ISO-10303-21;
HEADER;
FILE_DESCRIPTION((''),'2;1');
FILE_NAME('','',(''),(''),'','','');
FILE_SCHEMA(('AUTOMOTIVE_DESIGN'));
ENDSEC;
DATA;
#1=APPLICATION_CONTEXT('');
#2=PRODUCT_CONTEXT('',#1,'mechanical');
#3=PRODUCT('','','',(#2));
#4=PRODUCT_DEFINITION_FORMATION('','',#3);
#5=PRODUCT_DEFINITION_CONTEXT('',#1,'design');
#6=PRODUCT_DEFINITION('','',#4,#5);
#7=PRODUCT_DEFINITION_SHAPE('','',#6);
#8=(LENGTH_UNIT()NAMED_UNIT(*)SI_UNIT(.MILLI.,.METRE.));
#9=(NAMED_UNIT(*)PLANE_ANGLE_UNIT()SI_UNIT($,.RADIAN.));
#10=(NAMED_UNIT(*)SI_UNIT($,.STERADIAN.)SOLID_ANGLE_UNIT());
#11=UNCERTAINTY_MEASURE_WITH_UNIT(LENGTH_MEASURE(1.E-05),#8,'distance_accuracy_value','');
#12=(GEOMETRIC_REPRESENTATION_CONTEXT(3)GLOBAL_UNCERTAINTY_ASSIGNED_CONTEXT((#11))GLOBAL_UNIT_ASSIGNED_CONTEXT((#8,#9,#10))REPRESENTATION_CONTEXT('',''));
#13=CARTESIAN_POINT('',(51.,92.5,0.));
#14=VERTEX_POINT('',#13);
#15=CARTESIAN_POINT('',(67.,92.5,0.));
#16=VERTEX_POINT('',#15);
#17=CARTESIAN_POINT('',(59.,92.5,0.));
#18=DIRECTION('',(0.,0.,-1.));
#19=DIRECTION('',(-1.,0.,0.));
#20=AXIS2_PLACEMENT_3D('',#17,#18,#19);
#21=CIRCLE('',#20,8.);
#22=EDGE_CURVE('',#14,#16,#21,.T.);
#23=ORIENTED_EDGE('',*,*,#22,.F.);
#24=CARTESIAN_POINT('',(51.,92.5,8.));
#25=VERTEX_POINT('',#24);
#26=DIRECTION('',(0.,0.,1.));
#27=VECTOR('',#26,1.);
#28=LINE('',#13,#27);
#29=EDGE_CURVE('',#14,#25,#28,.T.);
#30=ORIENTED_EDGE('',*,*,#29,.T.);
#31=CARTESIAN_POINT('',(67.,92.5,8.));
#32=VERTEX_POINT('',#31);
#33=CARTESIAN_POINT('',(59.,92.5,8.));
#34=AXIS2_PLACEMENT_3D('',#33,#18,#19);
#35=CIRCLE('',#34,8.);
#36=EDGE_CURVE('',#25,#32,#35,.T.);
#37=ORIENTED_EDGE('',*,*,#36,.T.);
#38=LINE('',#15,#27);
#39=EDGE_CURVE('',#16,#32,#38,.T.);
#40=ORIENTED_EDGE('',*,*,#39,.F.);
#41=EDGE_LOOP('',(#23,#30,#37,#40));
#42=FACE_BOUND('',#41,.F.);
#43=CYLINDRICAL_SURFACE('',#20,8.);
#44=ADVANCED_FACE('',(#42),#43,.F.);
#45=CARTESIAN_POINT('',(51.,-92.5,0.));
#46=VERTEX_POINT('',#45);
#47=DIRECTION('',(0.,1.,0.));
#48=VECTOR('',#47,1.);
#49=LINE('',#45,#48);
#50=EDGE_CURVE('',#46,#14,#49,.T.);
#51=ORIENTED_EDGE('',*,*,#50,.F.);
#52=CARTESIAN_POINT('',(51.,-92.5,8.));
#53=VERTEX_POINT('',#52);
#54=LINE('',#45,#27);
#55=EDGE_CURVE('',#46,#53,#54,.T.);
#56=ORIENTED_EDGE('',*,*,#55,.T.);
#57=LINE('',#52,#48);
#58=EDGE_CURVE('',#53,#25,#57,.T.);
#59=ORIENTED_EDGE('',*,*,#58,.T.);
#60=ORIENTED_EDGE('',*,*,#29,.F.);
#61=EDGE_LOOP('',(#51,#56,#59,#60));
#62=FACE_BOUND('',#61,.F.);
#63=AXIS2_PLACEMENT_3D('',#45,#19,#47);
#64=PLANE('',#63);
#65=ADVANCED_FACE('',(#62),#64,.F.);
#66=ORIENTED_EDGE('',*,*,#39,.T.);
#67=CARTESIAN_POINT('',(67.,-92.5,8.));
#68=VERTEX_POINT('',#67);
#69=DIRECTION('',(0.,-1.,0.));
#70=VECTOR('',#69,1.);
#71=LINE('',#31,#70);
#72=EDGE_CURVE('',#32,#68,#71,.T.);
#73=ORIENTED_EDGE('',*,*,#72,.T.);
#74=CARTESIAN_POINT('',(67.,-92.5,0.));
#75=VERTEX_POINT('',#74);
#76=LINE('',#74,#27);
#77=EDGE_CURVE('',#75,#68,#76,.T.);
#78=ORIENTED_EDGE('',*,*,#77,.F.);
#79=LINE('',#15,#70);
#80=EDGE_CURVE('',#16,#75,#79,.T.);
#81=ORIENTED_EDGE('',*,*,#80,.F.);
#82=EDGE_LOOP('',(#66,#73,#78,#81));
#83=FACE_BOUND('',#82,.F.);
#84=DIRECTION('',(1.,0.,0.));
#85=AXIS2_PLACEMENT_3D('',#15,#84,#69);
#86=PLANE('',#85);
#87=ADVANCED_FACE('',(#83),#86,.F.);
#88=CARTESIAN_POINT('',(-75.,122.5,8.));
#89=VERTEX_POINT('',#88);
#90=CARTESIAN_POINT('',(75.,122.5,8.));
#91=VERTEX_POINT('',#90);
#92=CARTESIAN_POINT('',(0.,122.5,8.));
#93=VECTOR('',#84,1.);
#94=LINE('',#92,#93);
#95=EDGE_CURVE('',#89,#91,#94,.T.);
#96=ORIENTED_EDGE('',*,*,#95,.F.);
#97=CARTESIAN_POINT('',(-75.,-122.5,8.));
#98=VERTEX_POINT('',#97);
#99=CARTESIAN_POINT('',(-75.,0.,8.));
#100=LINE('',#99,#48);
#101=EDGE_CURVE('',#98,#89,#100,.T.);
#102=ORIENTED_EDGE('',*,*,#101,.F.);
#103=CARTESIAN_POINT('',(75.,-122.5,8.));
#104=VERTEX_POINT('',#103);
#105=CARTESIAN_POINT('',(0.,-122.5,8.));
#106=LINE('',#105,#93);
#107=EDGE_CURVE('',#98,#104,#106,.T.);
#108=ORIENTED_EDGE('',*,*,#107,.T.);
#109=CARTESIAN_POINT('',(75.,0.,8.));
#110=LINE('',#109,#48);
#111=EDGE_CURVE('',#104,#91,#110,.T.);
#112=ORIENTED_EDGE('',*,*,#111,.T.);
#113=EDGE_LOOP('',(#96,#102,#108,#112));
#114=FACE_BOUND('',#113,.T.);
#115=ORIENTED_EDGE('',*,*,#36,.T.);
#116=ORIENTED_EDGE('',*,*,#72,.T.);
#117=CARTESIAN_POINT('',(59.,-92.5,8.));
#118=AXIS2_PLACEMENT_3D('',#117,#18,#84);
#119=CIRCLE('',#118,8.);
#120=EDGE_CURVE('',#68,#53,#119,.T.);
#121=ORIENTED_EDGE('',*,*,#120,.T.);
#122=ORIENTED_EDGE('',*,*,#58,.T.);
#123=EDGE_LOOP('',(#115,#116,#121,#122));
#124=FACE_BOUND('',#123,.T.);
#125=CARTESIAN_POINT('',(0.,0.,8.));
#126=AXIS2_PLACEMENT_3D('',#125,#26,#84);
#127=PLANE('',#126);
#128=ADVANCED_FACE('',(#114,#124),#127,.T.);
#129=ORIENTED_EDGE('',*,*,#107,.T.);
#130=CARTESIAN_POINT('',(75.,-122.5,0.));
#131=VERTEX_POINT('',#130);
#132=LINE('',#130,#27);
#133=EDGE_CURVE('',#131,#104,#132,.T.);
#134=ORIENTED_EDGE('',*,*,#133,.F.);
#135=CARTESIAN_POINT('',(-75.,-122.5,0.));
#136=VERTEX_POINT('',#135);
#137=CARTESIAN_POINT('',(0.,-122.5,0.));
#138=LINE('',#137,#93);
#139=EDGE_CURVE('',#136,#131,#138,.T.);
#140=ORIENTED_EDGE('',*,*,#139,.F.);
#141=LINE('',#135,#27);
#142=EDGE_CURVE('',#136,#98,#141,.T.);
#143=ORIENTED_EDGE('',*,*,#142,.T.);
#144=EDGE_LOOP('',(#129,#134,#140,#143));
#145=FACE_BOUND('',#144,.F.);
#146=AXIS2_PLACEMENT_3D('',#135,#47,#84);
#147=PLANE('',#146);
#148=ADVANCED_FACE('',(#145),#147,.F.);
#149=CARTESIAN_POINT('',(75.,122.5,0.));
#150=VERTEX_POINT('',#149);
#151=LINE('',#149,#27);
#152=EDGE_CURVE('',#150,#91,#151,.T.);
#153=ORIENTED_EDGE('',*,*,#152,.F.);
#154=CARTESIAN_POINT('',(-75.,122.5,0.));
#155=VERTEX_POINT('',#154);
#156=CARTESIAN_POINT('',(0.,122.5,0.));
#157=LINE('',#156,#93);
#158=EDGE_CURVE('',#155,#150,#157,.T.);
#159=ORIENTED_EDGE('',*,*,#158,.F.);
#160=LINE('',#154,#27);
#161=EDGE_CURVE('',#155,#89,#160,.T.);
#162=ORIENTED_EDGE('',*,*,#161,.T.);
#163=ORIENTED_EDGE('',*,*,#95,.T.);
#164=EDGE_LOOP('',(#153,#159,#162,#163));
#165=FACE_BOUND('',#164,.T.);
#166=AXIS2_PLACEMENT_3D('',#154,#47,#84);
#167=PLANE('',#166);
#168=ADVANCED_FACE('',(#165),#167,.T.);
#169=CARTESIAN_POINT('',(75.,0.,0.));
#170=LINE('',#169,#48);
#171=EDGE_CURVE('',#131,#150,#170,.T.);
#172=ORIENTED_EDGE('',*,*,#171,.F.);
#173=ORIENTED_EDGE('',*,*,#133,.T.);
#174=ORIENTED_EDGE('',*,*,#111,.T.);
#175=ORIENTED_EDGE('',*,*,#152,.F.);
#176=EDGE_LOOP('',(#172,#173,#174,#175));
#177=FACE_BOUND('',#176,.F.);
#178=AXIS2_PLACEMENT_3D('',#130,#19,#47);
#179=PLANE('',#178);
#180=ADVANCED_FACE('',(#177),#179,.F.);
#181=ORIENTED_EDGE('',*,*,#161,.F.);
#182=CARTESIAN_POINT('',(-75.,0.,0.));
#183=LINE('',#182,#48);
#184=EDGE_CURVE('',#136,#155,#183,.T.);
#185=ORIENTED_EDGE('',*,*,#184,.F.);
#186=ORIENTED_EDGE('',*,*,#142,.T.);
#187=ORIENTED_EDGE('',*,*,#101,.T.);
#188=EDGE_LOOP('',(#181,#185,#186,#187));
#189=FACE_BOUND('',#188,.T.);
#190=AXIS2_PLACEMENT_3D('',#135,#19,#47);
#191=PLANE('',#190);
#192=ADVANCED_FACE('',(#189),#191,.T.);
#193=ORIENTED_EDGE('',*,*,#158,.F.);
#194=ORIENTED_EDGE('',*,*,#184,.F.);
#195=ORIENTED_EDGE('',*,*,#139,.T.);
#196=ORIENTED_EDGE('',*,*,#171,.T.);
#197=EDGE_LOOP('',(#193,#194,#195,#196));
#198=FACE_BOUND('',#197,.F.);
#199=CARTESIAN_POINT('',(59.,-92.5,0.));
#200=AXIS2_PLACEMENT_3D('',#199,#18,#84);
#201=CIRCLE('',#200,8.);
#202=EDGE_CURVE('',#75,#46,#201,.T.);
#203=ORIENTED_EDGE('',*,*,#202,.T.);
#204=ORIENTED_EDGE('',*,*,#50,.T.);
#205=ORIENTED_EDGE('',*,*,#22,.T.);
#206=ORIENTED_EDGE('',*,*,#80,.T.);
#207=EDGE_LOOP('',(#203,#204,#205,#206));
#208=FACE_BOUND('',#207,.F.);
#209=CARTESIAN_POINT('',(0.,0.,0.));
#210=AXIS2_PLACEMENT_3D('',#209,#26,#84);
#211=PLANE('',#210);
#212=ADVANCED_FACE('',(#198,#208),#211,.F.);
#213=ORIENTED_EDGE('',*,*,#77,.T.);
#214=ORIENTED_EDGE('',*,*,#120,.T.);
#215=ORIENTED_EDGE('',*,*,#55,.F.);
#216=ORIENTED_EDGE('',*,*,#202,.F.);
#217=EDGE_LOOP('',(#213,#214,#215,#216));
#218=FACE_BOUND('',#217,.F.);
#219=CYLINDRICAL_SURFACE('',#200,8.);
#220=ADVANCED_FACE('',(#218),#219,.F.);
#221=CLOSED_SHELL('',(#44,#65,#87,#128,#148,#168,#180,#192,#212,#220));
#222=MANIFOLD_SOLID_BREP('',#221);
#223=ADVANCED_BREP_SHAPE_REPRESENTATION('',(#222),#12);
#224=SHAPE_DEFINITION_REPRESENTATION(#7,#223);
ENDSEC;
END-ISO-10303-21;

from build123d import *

# Parameters (mm, degrees)
F0_W     = 150
F0_H     = 245
F1_DEPTH = 8


with BuildPart() as f1:
    # F0 (on Top) → F1 (new body)
    with BuildSketch(Plane.XY):
        Rectangle(F0_W, F0_H)
        with BuildLine():
            Line((51, -92.5), (51, 92.5))
            ThreePointArc((51, 92.5), (59, 100.5), (67, 92.5))
            Line((67, 92.5), (67, -92.5))
            ThreePointArc((67, -92.5), (59, -100.5), (51, -92.5))
        make_face(mode=Mode.SUBTRACT)
    extrude(amount=F1_DEPTH)


solid = f1.part
